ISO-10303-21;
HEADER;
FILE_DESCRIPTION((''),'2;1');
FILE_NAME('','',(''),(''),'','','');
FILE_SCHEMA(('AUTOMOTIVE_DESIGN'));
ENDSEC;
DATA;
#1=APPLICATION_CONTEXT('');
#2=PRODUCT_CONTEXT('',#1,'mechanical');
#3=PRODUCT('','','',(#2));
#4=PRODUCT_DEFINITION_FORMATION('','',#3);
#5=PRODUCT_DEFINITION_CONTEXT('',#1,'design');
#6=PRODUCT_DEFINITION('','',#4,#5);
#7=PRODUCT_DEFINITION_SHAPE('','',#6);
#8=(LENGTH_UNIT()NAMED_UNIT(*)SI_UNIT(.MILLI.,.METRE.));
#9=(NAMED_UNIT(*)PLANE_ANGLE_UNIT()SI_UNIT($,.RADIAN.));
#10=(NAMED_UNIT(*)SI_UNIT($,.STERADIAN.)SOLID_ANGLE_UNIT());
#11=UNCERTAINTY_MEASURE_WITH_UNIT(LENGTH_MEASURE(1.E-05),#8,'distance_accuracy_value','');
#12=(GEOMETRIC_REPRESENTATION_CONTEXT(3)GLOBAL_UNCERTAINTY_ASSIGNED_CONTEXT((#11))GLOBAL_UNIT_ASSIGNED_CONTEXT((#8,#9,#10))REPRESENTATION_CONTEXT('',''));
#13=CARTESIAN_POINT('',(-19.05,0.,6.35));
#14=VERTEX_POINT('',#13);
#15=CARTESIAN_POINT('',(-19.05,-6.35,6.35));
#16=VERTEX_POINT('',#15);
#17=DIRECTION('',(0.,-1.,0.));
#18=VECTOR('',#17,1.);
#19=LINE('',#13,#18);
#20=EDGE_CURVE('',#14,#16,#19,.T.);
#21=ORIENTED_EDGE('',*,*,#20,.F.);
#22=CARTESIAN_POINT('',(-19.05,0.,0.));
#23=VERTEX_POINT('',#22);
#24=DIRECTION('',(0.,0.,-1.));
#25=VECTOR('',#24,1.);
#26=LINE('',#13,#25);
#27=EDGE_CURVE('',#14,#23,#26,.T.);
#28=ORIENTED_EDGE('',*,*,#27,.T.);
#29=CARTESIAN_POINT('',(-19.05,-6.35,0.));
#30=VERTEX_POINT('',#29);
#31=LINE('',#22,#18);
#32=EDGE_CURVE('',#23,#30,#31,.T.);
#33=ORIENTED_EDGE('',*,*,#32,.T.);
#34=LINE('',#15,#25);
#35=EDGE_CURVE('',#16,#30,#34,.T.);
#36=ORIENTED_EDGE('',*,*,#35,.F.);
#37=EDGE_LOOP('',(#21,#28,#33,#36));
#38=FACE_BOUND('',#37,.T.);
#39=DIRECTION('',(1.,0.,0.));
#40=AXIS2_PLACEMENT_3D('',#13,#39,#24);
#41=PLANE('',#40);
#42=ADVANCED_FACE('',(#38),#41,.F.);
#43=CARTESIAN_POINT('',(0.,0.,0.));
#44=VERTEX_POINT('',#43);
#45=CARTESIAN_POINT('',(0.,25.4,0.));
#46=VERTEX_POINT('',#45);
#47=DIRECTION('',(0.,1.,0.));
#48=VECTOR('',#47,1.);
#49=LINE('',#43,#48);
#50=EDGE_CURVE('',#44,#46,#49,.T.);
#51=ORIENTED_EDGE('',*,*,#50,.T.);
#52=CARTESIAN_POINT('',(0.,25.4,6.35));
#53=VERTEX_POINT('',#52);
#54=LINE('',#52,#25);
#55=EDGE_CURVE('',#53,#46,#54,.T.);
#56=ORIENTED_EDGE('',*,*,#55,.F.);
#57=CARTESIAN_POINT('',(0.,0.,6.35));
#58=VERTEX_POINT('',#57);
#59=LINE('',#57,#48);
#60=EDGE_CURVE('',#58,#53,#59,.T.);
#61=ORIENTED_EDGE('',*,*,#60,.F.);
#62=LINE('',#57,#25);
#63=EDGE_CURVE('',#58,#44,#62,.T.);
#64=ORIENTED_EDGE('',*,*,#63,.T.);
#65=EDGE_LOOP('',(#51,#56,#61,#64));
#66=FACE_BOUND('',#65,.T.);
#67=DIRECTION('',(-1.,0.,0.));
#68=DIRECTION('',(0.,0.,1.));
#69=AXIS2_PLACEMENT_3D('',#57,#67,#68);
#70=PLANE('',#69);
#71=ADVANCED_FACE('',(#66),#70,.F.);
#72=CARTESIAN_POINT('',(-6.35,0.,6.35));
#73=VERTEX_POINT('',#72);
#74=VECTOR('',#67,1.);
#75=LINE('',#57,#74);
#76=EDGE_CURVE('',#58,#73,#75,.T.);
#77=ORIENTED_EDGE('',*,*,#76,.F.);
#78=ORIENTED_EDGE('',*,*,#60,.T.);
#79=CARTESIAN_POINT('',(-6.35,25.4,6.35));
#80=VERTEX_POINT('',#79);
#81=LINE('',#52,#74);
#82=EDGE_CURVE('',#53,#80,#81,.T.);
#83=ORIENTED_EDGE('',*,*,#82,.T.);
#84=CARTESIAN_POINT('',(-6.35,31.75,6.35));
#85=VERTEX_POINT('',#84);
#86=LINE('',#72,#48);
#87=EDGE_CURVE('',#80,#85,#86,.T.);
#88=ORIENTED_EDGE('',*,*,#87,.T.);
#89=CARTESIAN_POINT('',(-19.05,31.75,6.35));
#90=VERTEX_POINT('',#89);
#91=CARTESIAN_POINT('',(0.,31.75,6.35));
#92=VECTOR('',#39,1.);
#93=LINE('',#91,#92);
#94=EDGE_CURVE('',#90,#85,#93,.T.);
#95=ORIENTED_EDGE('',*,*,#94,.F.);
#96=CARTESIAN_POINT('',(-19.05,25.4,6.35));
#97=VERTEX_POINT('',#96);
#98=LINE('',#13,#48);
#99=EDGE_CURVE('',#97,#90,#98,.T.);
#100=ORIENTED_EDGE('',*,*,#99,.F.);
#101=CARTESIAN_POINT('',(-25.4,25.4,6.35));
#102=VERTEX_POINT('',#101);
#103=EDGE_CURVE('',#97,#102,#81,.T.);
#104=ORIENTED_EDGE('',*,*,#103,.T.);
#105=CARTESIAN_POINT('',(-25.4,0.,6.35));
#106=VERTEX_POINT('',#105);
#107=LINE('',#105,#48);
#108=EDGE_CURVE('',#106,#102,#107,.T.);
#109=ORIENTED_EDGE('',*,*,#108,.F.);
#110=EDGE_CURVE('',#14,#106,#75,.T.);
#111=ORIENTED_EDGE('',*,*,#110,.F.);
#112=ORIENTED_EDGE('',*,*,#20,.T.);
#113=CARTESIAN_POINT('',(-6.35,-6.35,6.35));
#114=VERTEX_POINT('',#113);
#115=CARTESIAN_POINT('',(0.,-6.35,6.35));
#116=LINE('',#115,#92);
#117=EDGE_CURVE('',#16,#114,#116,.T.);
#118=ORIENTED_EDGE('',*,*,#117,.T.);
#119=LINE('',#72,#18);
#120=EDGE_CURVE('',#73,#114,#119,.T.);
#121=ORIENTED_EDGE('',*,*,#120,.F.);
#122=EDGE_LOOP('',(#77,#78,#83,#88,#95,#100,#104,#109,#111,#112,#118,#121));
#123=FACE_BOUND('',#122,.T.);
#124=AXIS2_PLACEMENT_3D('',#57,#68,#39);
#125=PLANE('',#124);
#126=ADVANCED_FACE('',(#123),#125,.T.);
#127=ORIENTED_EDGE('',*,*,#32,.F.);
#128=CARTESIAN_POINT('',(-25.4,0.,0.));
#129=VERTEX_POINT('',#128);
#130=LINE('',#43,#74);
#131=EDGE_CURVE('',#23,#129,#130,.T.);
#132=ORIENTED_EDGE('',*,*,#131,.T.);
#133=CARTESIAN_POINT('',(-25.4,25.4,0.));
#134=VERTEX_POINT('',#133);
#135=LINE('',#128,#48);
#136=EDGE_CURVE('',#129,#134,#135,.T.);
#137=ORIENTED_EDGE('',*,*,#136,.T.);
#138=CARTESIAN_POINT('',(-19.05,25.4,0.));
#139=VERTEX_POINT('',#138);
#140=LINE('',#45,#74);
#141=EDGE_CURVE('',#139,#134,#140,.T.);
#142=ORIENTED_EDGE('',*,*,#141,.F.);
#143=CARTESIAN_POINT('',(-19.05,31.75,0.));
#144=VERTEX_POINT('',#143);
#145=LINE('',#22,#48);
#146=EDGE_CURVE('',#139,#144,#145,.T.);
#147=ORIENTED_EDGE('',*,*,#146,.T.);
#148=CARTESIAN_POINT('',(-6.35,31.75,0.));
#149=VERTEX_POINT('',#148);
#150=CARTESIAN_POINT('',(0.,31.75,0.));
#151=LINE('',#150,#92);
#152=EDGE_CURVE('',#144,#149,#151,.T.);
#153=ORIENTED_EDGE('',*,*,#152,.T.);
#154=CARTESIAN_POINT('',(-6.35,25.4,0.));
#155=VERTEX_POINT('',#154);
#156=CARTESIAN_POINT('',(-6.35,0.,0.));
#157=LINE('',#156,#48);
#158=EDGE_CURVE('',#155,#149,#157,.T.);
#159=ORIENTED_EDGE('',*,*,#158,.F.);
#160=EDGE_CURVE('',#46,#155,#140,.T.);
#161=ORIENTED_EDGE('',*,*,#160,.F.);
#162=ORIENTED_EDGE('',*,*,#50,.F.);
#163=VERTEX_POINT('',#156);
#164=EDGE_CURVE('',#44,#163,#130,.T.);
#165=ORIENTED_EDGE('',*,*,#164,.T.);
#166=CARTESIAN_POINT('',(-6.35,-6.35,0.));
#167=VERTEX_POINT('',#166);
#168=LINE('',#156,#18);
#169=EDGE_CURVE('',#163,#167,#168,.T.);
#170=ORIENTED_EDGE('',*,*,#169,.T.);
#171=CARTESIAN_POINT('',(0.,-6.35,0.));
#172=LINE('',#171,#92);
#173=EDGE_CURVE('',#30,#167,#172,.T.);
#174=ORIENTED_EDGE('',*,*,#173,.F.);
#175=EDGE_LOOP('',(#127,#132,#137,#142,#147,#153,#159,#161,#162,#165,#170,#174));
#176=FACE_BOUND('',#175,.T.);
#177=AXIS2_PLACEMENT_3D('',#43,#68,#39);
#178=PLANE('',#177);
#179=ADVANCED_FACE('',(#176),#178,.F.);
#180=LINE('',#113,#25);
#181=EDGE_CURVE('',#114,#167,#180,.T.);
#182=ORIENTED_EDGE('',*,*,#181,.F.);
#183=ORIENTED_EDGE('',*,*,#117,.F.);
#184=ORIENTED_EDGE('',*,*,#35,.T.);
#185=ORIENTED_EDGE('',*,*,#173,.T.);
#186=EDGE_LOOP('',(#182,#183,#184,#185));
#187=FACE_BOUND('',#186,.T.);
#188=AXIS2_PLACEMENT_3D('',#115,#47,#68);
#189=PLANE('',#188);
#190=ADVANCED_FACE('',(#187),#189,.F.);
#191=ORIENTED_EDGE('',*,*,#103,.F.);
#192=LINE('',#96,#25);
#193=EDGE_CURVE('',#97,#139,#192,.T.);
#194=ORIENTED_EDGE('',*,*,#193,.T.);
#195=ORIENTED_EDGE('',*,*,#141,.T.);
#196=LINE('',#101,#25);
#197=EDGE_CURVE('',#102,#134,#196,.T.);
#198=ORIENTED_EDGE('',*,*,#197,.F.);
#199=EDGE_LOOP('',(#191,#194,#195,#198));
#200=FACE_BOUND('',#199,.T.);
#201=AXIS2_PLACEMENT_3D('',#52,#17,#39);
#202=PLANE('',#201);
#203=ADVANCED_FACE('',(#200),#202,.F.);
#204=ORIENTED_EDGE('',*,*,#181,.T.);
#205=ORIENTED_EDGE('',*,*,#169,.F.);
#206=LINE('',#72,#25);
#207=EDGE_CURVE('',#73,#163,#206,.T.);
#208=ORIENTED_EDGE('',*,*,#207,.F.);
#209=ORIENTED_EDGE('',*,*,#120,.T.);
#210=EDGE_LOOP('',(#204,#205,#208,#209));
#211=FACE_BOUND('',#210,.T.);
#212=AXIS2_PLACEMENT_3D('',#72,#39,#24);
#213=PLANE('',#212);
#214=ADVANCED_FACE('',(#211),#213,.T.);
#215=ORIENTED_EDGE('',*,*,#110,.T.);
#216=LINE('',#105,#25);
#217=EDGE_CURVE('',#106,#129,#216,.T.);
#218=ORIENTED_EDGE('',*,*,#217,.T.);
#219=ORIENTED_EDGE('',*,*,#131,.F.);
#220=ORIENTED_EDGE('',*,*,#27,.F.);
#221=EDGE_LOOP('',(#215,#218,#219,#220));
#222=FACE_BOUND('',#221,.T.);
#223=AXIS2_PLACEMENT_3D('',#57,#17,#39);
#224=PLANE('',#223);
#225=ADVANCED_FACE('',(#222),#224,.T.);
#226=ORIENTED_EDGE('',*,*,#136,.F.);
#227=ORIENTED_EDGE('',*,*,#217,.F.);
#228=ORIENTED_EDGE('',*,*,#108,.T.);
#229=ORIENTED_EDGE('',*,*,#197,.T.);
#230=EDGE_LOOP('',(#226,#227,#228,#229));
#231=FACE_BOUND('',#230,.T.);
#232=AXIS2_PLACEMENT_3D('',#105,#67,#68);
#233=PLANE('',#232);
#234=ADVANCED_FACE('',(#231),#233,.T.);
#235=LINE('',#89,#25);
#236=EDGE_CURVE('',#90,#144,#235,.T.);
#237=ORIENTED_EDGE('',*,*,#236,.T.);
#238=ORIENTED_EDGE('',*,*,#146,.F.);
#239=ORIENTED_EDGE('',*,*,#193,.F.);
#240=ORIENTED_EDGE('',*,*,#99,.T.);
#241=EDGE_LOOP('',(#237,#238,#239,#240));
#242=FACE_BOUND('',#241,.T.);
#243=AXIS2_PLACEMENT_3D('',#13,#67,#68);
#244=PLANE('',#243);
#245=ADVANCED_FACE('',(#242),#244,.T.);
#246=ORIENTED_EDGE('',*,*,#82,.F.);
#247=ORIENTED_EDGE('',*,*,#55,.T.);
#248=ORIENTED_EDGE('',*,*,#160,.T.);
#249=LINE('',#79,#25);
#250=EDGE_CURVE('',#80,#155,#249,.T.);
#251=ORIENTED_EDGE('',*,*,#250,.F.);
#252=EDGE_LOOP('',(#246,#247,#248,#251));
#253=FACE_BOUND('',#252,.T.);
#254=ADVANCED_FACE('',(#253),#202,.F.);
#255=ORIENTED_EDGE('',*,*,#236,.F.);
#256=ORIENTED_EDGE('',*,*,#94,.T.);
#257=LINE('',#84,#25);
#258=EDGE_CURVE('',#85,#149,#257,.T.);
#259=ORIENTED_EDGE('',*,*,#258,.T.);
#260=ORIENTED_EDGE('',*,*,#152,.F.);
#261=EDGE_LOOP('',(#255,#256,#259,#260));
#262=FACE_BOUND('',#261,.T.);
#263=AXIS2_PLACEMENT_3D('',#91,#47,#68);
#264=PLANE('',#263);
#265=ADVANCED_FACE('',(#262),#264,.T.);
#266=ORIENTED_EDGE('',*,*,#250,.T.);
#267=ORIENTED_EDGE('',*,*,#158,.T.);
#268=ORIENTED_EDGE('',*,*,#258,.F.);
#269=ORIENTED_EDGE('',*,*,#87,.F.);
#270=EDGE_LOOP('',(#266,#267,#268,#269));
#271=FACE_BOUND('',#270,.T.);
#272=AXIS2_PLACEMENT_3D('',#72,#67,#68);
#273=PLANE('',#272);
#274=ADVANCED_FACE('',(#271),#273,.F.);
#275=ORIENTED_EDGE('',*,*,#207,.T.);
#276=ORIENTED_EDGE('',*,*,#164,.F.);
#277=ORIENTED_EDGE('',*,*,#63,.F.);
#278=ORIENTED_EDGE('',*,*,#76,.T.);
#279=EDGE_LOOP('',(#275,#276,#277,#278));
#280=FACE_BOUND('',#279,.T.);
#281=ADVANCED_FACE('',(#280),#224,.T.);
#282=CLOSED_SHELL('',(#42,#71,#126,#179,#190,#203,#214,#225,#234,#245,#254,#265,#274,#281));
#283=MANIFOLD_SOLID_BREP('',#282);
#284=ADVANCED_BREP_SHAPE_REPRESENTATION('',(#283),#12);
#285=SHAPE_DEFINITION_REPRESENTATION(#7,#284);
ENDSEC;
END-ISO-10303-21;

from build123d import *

# Parameters (mm, degrees)
BOSS_EXTRUDE1_DEPTH = 6.35


with BuildPart() as part:
    # Sketch1 → Boss-Extrude1 (new body)
    with BuildSketch(Plane.XY):
        Polygon((-19.05, 0), (-25.4, 0), (-25.4, 25.4), (-19.05, 25.4), (-19.05, 31.75), (-6.35, 31.75), (-6.35, 25.4), (0, 25.4), (0, 0), (-6.35, 0), (-6.35, -6.35), (-19.05, -6.35), align=None)
    extrude(amount=BOSS_EXTRUDE1_DEPTH)


solid = part.part
